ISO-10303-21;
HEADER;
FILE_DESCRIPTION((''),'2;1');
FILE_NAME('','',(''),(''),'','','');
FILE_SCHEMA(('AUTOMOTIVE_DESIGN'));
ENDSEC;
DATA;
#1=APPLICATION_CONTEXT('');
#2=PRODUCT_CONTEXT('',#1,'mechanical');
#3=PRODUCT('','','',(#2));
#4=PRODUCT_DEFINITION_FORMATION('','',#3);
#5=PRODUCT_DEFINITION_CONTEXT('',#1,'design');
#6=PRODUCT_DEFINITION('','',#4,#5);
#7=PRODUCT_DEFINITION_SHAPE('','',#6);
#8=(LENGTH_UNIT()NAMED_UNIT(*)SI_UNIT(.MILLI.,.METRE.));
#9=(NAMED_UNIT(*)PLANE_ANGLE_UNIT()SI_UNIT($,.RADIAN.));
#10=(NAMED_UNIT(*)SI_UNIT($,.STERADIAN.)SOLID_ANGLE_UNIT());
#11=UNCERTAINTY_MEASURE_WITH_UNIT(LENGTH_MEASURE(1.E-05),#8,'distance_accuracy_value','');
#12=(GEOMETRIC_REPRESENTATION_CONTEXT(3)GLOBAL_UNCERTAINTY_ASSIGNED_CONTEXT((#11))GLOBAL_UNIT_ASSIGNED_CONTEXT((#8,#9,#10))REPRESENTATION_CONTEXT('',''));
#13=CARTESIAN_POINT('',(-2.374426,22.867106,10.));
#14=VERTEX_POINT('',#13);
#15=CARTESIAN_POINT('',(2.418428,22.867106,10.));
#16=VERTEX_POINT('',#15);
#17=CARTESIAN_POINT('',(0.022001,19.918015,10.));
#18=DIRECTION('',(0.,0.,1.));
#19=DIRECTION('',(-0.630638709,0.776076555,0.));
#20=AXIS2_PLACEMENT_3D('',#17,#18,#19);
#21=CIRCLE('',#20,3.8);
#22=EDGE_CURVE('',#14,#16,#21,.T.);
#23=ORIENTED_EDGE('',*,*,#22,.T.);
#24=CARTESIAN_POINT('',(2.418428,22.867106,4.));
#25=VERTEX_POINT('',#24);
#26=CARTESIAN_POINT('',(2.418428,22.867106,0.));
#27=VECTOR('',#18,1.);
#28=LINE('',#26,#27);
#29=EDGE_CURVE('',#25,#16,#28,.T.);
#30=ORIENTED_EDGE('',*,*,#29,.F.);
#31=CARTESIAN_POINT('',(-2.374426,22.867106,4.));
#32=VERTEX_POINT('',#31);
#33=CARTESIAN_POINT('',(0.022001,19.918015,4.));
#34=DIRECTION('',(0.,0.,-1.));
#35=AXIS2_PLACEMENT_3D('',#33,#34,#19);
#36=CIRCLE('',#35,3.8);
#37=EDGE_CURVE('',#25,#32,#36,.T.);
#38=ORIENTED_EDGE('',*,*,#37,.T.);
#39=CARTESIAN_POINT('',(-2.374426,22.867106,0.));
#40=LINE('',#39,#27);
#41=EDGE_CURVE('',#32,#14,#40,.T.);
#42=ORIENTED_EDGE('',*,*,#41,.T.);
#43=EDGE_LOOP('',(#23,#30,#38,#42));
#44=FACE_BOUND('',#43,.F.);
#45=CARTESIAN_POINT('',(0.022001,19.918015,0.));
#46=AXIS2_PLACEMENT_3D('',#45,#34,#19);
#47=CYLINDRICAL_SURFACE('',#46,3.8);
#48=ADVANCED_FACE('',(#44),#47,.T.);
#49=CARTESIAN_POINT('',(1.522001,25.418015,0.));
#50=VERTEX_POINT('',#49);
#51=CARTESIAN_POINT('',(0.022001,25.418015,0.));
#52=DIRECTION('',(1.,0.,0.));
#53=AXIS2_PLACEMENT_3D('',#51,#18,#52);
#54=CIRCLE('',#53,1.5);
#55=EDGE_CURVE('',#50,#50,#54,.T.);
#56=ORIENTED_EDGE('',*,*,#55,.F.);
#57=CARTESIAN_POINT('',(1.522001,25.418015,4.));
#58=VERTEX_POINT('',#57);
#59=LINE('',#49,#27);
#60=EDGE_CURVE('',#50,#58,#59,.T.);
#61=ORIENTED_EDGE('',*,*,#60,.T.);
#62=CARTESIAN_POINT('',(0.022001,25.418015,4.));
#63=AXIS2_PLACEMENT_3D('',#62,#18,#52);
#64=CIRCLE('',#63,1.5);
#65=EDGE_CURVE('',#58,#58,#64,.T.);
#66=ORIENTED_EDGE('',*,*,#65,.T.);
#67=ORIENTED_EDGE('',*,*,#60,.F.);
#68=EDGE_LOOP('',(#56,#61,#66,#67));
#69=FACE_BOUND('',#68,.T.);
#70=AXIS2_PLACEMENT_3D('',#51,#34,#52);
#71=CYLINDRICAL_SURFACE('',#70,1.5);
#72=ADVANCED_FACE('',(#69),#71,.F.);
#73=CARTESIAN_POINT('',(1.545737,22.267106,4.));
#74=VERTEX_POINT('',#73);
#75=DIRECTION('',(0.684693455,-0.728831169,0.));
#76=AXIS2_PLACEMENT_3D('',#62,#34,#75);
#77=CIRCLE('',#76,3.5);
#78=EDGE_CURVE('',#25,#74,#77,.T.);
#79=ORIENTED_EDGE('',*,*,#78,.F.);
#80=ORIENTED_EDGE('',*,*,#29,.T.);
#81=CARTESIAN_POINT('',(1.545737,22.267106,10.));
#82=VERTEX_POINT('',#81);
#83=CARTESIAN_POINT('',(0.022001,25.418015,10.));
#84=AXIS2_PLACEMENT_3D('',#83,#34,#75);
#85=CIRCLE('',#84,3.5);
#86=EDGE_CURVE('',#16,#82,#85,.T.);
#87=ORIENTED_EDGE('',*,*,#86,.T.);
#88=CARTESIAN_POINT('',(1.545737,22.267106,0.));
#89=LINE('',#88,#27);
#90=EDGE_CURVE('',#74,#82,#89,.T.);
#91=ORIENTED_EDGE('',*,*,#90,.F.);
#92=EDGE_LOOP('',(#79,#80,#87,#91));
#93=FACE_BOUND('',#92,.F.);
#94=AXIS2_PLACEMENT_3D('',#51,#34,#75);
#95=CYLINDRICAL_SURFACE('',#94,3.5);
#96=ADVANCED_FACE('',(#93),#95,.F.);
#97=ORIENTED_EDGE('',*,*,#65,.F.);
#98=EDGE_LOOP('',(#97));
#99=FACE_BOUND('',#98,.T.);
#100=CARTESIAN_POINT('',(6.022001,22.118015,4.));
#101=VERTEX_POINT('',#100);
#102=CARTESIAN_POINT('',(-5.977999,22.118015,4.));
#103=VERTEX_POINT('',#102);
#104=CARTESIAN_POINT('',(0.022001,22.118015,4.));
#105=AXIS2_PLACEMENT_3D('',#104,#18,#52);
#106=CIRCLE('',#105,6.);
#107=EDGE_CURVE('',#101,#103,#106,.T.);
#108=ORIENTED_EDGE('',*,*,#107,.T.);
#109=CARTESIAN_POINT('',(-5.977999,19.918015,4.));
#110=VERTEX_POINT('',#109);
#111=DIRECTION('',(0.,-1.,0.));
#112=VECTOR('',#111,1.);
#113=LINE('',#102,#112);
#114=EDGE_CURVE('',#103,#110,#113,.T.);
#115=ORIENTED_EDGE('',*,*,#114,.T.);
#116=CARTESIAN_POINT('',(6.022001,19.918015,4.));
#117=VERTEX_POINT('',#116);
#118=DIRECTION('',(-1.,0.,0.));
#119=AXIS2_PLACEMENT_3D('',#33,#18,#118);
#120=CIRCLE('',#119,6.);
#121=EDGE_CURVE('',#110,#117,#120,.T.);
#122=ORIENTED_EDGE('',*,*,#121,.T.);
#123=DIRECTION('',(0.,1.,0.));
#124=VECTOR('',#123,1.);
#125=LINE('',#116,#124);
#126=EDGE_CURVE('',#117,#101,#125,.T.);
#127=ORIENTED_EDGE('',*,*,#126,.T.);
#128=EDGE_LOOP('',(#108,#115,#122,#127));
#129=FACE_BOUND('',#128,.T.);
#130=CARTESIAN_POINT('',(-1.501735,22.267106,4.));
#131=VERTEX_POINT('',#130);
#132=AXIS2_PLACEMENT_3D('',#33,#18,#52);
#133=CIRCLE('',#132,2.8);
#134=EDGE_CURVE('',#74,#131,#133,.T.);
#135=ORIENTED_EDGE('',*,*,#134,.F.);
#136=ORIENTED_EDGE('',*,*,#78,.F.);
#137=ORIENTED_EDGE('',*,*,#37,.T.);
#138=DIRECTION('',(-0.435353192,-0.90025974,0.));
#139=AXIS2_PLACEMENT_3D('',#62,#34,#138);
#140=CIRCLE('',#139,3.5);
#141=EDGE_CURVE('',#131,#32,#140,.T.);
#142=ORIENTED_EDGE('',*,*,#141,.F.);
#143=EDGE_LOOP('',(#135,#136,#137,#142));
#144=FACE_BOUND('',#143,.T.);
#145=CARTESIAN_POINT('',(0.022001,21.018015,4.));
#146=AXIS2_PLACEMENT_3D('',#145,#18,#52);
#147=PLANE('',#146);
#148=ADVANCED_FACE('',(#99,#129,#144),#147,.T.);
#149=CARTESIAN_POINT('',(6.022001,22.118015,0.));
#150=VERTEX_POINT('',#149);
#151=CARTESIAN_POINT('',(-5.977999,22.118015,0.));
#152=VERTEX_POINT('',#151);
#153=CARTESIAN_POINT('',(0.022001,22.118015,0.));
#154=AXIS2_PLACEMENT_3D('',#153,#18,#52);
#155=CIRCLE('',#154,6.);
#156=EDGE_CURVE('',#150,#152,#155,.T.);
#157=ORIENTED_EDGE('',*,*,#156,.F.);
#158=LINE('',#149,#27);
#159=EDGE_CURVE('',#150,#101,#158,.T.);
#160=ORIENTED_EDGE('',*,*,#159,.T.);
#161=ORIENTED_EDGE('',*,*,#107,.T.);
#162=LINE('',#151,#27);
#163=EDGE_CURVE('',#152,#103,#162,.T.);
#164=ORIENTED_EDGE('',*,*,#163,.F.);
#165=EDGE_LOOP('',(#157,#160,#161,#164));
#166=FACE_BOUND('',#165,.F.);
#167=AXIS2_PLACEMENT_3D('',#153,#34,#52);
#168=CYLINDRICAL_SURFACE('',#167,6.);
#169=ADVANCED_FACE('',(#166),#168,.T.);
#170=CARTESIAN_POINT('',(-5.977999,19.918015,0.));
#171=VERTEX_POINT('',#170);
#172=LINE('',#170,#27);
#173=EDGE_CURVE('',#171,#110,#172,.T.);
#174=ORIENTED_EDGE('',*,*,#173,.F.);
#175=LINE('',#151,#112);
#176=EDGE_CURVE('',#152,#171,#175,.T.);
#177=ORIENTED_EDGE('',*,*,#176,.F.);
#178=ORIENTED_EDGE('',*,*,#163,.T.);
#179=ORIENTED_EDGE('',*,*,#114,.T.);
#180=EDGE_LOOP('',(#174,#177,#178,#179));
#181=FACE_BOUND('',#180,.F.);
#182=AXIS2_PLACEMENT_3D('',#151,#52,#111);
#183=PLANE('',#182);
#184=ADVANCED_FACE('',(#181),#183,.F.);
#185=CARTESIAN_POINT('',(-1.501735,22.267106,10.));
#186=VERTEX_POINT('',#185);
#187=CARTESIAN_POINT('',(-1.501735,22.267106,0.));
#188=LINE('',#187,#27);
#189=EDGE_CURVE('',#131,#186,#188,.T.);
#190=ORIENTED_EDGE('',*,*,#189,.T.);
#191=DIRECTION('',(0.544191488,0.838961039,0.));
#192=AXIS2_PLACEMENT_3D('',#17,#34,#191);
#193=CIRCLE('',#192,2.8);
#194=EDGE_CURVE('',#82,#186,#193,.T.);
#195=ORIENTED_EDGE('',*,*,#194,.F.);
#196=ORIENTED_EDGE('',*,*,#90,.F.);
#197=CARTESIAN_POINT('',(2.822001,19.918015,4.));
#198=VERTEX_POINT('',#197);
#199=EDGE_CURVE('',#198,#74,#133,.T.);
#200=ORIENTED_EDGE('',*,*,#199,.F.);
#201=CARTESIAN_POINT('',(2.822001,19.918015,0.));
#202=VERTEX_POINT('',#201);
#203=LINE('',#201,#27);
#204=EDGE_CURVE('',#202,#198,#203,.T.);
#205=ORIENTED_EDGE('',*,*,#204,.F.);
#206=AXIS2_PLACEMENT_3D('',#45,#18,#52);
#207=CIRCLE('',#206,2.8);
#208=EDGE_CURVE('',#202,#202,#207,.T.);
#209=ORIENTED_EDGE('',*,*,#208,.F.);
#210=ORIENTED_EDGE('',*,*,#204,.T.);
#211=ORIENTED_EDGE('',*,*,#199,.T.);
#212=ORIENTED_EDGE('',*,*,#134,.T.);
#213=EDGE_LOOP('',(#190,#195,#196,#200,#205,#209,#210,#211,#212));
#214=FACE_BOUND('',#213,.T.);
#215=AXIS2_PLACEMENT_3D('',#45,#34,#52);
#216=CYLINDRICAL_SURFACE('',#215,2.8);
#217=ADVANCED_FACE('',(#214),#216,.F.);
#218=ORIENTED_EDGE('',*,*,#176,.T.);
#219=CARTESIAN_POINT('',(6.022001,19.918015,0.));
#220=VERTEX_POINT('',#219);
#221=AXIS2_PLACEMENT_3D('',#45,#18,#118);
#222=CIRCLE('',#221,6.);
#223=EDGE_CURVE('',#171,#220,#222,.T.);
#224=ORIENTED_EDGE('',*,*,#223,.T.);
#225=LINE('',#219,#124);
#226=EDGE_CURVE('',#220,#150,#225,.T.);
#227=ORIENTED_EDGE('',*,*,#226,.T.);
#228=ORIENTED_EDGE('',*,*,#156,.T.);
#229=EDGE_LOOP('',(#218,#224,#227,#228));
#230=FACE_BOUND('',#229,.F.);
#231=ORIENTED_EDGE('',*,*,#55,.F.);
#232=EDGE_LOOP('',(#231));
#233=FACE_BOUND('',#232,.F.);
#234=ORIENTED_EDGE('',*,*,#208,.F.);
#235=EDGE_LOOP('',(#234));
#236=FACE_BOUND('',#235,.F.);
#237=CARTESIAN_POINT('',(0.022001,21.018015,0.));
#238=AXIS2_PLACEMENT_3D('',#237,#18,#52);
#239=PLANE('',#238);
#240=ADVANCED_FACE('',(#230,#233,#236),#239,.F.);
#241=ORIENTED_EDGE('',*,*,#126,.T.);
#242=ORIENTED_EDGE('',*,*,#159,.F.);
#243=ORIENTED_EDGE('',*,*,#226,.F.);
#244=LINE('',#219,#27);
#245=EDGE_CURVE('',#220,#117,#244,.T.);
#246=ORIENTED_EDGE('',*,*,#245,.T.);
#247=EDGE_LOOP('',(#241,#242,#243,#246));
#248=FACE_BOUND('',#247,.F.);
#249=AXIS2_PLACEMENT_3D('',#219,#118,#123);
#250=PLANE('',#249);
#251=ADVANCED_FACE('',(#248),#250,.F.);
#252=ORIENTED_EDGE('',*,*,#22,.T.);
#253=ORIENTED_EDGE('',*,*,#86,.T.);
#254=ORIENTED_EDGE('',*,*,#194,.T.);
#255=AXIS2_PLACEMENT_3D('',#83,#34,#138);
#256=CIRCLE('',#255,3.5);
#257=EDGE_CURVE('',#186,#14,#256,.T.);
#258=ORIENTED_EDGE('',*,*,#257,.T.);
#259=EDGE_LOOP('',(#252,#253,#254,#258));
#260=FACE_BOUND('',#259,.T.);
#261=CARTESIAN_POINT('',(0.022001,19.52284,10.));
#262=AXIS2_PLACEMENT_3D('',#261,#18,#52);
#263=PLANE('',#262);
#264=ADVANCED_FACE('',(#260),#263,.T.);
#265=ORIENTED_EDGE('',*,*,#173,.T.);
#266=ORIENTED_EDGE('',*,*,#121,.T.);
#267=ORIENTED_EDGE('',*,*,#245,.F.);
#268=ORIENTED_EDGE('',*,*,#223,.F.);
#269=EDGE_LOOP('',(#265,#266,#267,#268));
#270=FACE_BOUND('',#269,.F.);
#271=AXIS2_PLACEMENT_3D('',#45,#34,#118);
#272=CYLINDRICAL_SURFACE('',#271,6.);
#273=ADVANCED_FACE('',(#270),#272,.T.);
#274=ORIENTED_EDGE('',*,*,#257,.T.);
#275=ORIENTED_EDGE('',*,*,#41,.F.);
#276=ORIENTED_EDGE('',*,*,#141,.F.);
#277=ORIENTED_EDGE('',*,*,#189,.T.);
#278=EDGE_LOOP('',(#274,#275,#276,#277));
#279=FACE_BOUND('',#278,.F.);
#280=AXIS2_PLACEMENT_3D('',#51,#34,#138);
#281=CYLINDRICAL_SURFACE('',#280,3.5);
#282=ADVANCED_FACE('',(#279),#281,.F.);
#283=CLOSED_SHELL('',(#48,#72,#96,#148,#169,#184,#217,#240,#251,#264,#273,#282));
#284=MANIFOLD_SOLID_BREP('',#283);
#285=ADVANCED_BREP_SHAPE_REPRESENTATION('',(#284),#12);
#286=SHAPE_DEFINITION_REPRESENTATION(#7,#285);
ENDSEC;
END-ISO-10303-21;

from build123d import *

# Parameters (mm, degrees)
SKETCH1_R           = 2.8
SKETCH1_R_2         = 1.5
BOSS_EXTRUDE3_DEPTH = 4
BOSS_EXTRUDE5_DEPTH = 10


with BuildPart() as part:
    # Sketch1 → Boss-Extrude3 (new body)
    with BuildSketch(Plane.XY):
        with BuildLine():
            Line((-5.977999231, 22.118015055), (-5.977999231, 19.918015055))
            ThreePointArc((-5.977999231, 19.918015055), (0.022000769, 13.918015055), (6.022000769, 19.918015055))
            Line((6.022000769, 19.918015055), (6.022000769, 22.118015055))
            ThreePointArc((6.022000769, 22.118015055), (0.022000769, 28.118015055), (-5.977999231, 22.118015055))
        make_face()
        with Locations((0.022000769, 19.918015055)):
            Circle(SKETCH1_R, mode=Mode.SUBTRACT)
        with Locations((0.022000769, 25.418015055)):
            Circle(SKETCH1_R_2, mode=Mode.SUBTRACT)
    extrude(amount=BOSS_EXTRUDE3_DEPTH)

    # Sketch1<8> → Boss-Extrude5 (add)
    with BuildSketch(Plane.XY):
        with BuildLine():
            ThreePointArc((-2.374426324, 22.867105964), (0.022000769, 16.118015055), (2.418427861, 22.867105964))
            ThreePointArc((2.418427861, 22.867105964), (2.004907724, 22.533906873), (1.545736934, 22.267105964))
            ThreePointArc((1.545736934, 22.267105964), (0.022000769, 17.118015055), (-1.501735396, 22.267105964))
            ThreePointArc((-1.501735396, 22.267105964), (-1.960906186, 22.533906873), (-2.374426324, 22.867105964))
        make_face()
    extrude(amount=BOSS_EXTRUDE5_DEPTH)


solid = part.part
